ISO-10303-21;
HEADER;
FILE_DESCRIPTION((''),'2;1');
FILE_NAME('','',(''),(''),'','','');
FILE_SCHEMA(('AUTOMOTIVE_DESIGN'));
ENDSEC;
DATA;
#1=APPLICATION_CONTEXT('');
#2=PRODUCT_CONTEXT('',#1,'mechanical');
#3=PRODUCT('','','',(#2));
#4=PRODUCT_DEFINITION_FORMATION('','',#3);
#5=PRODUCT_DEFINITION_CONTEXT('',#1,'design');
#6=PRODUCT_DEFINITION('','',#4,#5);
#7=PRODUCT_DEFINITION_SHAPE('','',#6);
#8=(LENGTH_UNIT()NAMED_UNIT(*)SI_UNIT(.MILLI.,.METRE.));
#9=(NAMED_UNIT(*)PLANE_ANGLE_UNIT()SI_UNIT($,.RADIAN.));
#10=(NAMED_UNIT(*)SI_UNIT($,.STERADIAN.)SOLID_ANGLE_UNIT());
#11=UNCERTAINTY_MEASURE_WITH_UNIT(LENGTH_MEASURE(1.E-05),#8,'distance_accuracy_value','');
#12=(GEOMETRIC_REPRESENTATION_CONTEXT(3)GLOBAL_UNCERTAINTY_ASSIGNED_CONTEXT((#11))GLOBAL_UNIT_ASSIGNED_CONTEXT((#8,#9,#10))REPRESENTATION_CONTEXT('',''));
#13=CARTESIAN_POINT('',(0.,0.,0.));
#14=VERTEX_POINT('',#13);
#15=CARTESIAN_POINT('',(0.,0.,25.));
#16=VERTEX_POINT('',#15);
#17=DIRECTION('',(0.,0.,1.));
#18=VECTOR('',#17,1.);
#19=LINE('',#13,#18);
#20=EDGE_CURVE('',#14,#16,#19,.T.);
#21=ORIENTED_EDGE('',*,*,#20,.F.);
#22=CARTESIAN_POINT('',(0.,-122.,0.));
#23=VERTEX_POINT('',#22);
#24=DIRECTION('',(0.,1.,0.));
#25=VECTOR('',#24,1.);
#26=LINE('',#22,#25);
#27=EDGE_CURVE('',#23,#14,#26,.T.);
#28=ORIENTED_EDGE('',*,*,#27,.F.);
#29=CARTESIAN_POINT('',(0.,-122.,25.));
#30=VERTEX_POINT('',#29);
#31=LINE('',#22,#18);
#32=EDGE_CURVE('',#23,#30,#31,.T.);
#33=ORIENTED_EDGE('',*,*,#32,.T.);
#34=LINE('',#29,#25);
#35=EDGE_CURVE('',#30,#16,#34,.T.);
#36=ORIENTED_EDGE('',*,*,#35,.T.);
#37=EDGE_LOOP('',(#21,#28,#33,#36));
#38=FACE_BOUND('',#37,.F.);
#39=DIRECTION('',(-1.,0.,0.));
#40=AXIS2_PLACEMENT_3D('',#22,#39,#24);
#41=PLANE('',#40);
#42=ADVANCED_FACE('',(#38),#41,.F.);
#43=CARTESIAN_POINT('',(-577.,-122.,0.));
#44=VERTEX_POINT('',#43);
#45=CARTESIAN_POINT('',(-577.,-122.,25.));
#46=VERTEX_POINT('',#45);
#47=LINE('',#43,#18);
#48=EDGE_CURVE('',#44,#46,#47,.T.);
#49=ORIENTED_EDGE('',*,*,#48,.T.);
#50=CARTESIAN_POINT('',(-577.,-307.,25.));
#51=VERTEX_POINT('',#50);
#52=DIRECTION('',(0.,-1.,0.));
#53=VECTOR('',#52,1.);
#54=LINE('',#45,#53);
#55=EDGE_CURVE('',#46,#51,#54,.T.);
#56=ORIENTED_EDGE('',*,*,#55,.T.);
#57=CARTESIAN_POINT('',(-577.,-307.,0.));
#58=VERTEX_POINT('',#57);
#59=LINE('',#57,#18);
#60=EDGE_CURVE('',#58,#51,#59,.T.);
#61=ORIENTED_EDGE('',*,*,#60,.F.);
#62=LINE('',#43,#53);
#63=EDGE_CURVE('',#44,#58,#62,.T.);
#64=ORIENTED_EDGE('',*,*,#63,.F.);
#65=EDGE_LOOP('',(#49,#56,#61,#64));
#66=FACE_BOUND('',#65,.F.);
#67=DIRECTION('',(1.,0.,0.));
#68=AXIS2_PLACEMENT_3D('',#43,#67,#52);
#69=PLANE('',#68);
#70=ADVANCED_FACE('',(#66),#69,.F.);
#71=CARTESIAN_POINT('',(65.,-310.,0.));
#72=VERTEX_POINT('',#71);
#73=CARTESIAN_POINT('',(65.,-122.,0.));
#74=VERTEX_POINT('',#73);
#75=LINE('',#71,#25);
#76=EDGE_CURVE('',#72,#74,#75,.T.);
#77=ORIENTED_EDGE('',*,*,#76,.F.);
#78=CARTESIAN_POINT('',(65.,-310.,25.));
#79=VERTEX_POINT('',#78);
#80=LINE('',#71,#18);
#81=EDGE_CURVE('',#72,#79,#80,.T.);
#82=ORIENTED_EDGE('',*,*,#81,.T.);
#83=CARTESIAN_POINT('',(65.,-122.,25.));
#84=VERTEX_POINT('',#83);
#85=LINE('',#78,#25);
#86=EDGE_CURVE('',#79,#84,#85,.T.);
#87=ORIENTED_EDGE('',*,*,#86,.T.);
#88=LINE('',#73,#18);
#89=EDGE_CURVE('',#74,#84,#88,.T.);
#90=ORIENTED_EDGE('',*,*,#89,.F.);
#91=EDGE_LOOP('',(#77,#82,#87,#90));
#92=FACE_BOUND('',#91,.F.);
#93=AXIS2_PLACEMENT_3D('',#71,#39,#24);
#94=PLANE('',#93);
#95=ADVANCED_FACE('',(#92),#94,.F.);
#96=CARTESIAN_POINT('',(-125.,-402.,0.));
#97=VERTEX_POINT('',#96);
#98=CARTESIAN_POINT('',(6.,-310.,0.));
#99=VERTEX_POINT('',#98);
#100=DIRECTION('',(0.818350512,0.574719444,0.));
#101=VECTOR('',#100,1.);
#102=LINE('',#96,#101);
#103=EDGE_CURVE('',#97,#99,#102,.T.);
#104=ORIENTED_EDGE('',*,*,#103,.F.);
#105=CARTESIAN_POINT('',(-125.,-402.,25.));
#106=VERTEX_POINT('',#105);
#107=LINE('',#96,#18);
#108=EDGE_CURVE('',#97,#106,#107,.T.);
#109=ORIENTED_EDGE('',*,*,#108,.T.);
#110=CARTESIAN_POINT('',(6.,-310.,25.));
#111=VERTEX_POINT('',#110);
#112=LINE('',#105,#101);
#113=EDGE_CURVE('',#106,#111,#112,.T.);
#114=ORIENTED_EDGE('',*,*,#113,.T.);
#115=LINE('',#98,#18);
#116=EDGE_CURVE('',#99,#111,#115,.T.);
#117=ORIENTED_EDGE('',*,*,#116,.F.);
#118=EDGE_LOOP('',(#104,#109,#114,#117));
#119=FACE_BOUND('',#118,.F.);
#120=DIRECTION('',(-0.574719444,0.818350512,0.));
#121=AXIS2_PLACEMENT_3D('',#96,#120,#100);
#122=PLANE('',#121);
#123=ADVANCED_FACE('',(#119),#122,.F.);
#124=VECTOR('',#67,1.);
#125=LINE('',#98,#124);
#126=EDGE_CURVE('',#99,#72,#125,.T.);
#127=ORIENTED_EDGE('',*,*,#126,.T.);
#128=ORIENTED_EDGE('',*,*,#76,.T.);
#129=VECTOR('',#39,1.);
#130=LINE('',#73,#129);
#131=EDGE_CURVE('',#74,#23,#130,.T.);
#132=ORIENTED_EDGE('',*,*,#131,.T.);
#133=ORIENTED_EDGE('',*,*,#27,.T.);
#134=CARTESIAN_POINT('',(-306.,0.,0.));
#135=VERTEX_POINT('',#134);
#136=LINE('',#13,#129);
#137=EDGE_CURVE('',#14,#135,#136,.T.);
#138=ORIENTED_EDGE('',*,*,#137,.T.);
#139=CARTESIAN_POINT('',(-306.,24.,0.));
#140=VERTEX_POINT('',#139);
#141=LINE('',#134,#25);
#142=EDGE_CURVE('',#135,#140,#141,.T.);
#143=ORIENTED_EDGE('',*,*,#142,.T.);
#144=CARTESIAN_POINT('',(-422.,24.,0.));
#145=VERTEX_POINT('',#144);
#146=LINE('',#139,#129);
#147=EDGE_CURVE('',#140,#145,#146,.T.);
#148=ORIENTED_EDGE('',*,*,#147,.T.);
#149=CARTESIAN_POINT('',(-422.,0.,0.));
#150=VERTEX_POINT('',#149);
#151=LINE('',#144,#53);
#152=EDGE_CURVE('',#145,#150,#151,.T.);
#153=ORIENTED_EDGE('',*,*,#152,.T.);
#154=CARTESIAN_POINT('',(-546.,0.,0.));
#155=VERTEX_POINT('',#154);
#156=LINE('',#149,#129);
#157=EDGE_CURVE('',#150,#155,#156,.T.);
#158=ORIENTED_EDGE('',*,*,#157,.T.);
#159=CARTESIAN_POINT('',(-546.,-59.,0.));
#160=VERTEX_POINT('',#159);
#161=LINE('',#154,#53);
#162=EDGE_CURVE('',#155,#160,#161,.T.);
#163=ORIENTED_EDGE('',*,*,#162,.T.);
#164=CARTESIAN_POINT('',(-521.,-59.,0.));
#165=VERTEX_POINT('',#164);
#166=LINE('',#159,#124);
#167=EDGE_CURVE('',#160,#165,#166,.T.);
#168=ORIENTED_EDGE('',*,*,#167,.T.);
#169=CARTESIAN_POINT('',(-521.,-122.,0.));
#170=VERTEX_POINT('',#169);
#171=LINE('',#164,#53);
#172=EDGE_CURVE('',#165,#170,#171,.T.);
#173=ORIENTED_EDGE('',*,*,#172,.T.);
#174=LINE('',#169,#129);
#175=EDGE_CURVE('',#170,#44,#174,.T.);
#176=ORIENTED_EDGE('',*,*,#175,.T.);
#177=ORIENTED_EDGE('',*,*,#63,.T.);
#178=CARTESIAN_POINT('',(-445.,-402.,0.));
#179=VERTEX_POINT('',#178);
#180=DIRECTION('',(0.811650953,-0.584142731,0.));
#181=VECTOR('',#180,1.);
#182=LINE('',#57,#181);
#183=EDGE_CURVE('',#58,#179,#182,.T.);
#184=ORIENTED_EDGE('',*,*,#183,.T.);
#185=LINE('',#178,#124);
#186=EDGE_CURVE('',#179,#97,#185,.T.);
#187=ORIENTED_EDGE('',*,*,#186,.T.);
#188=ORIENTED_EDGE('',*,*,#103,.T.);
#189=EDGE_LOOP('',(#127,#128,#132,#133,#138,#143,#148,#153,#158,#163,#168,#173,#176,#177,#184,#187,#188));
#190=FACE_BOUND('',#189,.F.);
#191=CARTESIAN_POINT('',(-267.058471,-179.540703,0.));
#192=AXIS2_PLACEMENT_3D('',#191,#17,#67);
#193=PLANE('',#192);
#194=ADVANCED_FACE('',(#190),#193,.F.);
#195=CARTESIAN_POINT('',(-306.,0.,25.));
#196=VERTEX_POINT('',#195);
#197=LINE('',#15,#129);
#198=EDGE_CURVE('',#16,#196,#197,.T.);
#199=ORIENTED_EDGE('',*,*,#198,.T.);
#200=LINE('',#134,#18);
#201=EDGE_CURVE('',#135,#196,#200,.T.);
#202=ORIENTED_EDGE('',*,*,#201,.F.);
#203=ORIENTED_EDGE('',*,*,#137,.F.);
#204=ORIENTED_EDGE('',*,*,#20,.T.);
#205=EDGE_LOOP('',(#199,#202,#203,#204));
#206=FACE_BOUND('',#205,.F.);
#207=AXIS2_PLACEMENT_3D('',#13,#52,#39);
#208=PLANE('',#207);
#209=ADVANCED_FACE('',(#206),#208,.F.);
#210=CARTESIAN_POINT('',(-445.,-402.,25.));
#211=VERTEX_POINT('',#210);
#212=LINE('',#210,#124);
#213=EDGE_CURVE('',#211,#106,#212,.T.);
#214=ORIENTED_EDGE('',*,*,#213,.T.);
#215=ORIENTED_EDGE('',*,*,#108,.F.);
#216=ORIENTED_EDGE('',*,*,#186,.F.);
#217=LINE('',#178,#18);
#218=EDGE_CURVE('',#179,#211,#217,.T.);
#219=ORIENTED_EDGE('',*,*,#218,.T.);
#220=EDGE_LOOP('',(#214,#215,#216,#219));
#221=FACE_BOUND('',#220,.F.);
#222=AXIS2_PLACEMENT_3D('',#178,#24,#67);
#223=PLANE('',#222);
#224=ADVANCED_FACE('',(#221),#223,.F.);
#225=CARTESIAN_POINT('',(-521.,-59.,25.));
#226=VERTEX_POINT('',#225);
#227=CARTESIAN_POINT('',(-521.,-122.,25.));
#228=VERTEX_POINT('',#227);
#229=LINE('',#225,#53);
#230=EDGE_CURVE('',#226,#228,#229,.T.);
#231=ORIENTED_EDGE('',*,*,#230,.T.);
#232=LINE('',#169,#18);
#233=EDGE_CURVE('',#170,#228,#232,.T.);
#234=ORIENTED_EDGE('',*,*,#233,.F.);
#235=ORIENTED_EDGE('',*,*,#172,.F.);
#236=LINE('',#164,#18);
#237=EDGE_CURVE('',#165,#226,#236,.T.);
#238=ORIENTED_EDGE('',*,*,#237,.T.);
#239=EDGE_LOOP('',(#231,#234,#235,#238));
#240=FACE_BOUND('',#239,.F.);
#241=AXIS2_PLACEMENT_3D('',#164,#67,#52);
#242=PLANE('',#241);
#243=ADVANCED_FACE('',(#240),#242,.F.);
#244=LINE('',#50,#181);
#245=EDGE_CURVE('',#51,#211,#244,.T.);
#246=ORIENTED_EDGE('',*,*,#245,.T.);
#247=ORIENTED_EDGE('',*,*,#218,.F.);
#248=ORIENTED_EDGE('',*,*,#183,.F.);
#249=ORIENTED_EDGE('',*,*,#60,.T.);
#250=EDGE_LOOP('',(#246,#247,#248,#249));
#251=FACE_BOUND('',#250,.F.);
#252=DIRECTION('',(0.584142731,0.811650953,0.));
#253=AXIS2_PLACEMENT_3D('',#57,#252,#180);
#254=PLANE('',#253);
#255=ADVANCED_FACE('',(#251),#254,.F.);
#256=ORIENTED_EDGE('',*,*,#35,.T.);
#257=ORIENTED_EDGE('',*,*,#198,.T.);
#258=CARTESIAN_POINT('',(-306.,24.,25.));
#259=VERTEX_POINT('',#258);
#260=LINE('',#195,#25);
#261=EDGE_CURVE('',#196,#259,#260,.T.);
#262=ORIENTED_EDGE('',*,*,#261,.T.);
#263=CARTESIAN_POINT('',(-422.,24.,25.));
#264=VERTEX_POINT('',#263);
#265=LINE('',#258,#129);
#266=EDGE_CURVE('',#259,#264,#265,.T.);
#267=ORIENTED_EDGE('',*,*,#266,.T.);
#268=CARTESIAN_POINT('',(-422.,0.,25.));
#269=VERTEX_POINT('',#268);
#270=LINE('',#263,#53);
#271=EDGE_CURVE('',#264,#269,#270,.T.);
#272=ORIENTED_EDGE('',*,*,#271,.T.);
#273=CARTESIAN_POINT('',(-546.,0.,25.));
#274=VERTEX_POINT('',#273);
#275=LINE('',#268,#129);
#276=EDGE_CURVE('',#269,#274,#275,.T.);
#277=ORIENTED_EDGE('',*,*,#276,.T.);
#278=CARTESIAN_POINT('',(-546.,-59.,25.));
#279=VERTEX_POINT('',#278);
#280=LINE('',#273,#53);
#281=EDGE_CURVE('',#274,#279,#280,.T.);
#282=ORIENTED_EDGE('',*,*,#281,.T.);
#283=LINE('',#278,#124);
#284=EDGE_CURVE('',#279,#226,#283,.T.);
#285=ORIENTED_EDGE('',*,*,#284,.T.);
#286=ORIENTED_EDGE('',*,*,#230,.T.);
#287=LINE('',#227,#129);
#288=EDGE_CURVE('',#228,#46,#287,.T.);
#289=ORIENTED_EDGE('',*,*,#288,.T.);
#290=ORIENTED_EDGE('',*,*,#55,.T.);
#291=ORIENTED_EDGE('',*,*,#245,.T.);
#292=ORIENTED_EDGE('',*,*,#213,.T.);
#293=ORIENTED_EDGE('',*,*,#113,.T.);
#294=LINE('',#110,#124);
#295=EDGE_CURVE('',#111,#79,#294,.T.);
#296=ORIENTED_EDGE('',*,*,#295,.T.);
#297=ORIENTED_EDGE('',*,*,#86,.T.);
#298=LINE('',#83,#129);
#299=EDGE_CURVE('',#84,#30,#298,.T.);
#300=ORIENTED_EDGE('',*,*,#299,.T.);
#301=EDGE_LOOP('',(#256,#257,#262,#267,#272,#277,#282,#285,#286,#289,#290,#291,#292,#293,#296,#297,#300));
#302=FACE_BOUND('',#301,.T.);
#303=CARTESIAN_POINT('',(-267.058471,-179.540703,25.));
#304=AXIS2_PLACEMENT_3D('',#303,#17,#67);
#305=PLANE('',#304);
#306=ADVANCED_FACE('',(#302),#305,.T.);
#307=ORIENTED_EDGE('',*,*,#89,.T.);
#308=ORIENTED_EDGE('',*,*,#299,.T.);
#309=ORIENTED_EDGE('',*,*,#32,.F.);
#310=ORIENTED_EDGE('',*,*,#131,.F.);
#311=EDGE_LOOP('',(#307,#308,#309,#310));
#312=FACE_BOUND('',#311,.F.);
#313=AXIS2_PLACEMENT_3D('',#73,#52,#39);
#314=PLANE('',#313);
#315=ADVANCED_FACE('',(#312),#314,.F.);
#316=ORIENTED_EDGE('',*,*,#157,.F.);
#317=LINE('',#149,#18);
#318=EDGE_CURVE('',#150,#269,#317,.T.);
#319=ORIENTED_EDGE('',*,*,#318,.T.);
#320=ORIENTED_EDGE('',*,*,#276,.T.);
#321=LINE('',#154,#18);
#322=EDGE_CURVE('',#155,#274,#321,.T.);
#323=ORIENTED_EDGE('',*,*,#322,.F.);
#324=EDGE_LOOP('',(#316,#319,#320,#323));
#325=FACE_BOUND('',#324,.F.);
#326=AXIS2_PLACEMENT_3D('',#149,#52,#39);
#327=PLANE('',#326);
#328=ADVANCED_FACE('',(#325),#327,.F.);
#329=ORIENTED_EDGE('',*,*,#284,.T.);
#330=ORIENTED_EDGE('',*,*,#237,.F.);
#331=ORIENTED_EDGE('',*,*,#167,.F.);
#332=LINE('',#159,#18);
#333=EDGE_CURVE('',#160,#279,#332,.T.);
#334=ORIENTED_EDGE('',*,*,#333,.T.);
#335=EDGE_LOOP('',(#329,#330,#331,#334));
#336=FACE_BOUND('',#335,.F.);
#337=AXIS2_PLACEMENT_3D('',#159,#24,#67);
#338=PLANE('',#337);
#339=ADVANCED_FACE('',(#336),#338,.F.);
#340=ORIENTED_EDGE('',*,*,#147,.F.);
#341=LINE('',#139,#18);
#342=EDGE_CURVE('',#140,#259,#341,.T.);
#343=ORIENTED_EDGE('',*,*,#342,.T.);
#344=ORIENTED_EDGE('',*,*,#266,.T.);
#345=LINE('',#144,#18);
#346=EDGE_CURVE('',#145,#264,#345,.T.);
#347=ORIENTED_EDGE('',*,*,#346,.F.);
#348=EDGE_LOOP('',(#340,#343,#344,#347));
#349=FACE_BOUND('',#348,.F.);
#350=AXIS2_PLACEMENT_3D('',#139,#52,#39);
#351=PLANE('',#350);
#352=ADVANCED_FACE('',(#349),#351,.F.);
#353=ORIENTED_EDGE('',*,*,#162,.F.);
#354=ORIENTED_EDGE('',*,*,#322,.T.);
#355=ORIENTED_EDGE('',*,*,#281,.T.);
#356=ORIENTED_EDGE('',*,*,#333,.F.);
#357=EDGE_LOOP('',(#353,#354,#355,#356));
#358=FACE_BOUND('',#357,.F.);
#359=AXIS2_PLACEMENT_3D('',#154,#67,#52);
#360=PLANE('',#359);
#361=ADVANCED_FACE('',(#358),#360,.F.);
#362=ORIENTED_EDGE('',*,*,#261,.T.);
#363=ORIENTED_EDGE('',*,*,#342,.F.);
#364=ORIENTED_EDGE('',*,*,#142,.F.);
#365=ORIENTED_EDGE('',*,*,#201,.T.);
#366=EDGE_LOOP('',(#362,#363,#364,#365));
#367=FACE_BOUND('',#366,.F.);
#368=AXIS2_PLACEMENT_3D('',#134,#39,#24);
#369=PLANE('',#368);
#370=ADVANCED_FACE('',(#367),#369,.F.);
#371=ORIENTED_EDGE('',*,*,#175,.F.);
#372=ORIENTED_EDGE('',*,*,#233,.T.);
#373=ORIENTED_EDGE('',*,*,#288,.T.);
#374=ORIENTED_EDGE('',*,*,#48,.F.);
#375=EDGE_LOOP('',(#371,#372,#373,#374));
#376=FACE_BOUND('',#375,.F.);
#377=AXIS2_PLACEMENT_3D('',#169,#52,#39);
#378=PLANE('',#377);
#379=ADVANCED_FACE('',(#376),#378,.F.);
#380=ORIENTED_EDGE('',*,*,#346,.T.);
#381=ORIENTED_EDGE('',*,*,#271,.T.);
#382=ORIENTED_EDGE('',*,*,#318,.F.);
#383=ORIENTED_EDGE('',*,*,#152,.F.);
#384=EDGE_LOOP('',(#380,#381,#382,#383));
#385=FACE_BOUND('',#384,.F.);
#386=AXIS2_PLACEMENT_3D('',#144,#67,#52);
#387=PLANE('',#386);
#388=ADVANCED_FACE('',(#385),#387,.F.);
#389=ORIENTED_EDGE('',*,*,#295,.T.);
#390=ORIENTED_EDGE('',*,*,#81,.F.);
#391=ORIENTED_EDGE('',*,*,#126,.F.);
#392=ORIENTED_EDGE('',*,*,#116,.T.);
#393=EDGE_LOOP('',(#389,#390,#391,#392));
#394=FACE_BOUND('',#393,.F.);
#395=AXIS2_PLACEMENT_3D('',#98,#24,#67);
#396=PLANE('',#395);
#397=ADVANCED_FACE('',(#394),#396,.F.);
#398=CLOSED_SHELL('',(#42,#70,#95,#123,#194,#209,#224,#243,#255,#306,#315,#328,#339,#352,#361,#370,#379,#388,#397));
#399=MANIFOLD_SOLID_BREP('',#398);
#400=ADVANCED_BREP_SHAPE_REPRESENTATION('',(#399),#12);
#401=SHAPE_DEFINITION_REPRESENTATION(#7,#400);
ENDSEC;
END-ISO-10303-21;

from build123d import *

# Parameters (mm, degrees)
F3_DEPTH = 25


with BuildPart() as f3:
    # F2 (on Top) → F3 (new body)
    with BuildSketch(Plane.XY):
        Polygon((-422, 0), (-546, 0), (-546, -59), (-521, -59), (-521, -122), (-546, -122), (-577, -122), (-577, -307), (-445, -402), (-125, -402), (6, -310), (65, -310), (65, -122), (0, -122), (0, -113), (0, 0), (-306, 0), (-306, 24), (-422, 24), align=None)
    extrude(amount=F3_DEPTH)


solid = f3.part
